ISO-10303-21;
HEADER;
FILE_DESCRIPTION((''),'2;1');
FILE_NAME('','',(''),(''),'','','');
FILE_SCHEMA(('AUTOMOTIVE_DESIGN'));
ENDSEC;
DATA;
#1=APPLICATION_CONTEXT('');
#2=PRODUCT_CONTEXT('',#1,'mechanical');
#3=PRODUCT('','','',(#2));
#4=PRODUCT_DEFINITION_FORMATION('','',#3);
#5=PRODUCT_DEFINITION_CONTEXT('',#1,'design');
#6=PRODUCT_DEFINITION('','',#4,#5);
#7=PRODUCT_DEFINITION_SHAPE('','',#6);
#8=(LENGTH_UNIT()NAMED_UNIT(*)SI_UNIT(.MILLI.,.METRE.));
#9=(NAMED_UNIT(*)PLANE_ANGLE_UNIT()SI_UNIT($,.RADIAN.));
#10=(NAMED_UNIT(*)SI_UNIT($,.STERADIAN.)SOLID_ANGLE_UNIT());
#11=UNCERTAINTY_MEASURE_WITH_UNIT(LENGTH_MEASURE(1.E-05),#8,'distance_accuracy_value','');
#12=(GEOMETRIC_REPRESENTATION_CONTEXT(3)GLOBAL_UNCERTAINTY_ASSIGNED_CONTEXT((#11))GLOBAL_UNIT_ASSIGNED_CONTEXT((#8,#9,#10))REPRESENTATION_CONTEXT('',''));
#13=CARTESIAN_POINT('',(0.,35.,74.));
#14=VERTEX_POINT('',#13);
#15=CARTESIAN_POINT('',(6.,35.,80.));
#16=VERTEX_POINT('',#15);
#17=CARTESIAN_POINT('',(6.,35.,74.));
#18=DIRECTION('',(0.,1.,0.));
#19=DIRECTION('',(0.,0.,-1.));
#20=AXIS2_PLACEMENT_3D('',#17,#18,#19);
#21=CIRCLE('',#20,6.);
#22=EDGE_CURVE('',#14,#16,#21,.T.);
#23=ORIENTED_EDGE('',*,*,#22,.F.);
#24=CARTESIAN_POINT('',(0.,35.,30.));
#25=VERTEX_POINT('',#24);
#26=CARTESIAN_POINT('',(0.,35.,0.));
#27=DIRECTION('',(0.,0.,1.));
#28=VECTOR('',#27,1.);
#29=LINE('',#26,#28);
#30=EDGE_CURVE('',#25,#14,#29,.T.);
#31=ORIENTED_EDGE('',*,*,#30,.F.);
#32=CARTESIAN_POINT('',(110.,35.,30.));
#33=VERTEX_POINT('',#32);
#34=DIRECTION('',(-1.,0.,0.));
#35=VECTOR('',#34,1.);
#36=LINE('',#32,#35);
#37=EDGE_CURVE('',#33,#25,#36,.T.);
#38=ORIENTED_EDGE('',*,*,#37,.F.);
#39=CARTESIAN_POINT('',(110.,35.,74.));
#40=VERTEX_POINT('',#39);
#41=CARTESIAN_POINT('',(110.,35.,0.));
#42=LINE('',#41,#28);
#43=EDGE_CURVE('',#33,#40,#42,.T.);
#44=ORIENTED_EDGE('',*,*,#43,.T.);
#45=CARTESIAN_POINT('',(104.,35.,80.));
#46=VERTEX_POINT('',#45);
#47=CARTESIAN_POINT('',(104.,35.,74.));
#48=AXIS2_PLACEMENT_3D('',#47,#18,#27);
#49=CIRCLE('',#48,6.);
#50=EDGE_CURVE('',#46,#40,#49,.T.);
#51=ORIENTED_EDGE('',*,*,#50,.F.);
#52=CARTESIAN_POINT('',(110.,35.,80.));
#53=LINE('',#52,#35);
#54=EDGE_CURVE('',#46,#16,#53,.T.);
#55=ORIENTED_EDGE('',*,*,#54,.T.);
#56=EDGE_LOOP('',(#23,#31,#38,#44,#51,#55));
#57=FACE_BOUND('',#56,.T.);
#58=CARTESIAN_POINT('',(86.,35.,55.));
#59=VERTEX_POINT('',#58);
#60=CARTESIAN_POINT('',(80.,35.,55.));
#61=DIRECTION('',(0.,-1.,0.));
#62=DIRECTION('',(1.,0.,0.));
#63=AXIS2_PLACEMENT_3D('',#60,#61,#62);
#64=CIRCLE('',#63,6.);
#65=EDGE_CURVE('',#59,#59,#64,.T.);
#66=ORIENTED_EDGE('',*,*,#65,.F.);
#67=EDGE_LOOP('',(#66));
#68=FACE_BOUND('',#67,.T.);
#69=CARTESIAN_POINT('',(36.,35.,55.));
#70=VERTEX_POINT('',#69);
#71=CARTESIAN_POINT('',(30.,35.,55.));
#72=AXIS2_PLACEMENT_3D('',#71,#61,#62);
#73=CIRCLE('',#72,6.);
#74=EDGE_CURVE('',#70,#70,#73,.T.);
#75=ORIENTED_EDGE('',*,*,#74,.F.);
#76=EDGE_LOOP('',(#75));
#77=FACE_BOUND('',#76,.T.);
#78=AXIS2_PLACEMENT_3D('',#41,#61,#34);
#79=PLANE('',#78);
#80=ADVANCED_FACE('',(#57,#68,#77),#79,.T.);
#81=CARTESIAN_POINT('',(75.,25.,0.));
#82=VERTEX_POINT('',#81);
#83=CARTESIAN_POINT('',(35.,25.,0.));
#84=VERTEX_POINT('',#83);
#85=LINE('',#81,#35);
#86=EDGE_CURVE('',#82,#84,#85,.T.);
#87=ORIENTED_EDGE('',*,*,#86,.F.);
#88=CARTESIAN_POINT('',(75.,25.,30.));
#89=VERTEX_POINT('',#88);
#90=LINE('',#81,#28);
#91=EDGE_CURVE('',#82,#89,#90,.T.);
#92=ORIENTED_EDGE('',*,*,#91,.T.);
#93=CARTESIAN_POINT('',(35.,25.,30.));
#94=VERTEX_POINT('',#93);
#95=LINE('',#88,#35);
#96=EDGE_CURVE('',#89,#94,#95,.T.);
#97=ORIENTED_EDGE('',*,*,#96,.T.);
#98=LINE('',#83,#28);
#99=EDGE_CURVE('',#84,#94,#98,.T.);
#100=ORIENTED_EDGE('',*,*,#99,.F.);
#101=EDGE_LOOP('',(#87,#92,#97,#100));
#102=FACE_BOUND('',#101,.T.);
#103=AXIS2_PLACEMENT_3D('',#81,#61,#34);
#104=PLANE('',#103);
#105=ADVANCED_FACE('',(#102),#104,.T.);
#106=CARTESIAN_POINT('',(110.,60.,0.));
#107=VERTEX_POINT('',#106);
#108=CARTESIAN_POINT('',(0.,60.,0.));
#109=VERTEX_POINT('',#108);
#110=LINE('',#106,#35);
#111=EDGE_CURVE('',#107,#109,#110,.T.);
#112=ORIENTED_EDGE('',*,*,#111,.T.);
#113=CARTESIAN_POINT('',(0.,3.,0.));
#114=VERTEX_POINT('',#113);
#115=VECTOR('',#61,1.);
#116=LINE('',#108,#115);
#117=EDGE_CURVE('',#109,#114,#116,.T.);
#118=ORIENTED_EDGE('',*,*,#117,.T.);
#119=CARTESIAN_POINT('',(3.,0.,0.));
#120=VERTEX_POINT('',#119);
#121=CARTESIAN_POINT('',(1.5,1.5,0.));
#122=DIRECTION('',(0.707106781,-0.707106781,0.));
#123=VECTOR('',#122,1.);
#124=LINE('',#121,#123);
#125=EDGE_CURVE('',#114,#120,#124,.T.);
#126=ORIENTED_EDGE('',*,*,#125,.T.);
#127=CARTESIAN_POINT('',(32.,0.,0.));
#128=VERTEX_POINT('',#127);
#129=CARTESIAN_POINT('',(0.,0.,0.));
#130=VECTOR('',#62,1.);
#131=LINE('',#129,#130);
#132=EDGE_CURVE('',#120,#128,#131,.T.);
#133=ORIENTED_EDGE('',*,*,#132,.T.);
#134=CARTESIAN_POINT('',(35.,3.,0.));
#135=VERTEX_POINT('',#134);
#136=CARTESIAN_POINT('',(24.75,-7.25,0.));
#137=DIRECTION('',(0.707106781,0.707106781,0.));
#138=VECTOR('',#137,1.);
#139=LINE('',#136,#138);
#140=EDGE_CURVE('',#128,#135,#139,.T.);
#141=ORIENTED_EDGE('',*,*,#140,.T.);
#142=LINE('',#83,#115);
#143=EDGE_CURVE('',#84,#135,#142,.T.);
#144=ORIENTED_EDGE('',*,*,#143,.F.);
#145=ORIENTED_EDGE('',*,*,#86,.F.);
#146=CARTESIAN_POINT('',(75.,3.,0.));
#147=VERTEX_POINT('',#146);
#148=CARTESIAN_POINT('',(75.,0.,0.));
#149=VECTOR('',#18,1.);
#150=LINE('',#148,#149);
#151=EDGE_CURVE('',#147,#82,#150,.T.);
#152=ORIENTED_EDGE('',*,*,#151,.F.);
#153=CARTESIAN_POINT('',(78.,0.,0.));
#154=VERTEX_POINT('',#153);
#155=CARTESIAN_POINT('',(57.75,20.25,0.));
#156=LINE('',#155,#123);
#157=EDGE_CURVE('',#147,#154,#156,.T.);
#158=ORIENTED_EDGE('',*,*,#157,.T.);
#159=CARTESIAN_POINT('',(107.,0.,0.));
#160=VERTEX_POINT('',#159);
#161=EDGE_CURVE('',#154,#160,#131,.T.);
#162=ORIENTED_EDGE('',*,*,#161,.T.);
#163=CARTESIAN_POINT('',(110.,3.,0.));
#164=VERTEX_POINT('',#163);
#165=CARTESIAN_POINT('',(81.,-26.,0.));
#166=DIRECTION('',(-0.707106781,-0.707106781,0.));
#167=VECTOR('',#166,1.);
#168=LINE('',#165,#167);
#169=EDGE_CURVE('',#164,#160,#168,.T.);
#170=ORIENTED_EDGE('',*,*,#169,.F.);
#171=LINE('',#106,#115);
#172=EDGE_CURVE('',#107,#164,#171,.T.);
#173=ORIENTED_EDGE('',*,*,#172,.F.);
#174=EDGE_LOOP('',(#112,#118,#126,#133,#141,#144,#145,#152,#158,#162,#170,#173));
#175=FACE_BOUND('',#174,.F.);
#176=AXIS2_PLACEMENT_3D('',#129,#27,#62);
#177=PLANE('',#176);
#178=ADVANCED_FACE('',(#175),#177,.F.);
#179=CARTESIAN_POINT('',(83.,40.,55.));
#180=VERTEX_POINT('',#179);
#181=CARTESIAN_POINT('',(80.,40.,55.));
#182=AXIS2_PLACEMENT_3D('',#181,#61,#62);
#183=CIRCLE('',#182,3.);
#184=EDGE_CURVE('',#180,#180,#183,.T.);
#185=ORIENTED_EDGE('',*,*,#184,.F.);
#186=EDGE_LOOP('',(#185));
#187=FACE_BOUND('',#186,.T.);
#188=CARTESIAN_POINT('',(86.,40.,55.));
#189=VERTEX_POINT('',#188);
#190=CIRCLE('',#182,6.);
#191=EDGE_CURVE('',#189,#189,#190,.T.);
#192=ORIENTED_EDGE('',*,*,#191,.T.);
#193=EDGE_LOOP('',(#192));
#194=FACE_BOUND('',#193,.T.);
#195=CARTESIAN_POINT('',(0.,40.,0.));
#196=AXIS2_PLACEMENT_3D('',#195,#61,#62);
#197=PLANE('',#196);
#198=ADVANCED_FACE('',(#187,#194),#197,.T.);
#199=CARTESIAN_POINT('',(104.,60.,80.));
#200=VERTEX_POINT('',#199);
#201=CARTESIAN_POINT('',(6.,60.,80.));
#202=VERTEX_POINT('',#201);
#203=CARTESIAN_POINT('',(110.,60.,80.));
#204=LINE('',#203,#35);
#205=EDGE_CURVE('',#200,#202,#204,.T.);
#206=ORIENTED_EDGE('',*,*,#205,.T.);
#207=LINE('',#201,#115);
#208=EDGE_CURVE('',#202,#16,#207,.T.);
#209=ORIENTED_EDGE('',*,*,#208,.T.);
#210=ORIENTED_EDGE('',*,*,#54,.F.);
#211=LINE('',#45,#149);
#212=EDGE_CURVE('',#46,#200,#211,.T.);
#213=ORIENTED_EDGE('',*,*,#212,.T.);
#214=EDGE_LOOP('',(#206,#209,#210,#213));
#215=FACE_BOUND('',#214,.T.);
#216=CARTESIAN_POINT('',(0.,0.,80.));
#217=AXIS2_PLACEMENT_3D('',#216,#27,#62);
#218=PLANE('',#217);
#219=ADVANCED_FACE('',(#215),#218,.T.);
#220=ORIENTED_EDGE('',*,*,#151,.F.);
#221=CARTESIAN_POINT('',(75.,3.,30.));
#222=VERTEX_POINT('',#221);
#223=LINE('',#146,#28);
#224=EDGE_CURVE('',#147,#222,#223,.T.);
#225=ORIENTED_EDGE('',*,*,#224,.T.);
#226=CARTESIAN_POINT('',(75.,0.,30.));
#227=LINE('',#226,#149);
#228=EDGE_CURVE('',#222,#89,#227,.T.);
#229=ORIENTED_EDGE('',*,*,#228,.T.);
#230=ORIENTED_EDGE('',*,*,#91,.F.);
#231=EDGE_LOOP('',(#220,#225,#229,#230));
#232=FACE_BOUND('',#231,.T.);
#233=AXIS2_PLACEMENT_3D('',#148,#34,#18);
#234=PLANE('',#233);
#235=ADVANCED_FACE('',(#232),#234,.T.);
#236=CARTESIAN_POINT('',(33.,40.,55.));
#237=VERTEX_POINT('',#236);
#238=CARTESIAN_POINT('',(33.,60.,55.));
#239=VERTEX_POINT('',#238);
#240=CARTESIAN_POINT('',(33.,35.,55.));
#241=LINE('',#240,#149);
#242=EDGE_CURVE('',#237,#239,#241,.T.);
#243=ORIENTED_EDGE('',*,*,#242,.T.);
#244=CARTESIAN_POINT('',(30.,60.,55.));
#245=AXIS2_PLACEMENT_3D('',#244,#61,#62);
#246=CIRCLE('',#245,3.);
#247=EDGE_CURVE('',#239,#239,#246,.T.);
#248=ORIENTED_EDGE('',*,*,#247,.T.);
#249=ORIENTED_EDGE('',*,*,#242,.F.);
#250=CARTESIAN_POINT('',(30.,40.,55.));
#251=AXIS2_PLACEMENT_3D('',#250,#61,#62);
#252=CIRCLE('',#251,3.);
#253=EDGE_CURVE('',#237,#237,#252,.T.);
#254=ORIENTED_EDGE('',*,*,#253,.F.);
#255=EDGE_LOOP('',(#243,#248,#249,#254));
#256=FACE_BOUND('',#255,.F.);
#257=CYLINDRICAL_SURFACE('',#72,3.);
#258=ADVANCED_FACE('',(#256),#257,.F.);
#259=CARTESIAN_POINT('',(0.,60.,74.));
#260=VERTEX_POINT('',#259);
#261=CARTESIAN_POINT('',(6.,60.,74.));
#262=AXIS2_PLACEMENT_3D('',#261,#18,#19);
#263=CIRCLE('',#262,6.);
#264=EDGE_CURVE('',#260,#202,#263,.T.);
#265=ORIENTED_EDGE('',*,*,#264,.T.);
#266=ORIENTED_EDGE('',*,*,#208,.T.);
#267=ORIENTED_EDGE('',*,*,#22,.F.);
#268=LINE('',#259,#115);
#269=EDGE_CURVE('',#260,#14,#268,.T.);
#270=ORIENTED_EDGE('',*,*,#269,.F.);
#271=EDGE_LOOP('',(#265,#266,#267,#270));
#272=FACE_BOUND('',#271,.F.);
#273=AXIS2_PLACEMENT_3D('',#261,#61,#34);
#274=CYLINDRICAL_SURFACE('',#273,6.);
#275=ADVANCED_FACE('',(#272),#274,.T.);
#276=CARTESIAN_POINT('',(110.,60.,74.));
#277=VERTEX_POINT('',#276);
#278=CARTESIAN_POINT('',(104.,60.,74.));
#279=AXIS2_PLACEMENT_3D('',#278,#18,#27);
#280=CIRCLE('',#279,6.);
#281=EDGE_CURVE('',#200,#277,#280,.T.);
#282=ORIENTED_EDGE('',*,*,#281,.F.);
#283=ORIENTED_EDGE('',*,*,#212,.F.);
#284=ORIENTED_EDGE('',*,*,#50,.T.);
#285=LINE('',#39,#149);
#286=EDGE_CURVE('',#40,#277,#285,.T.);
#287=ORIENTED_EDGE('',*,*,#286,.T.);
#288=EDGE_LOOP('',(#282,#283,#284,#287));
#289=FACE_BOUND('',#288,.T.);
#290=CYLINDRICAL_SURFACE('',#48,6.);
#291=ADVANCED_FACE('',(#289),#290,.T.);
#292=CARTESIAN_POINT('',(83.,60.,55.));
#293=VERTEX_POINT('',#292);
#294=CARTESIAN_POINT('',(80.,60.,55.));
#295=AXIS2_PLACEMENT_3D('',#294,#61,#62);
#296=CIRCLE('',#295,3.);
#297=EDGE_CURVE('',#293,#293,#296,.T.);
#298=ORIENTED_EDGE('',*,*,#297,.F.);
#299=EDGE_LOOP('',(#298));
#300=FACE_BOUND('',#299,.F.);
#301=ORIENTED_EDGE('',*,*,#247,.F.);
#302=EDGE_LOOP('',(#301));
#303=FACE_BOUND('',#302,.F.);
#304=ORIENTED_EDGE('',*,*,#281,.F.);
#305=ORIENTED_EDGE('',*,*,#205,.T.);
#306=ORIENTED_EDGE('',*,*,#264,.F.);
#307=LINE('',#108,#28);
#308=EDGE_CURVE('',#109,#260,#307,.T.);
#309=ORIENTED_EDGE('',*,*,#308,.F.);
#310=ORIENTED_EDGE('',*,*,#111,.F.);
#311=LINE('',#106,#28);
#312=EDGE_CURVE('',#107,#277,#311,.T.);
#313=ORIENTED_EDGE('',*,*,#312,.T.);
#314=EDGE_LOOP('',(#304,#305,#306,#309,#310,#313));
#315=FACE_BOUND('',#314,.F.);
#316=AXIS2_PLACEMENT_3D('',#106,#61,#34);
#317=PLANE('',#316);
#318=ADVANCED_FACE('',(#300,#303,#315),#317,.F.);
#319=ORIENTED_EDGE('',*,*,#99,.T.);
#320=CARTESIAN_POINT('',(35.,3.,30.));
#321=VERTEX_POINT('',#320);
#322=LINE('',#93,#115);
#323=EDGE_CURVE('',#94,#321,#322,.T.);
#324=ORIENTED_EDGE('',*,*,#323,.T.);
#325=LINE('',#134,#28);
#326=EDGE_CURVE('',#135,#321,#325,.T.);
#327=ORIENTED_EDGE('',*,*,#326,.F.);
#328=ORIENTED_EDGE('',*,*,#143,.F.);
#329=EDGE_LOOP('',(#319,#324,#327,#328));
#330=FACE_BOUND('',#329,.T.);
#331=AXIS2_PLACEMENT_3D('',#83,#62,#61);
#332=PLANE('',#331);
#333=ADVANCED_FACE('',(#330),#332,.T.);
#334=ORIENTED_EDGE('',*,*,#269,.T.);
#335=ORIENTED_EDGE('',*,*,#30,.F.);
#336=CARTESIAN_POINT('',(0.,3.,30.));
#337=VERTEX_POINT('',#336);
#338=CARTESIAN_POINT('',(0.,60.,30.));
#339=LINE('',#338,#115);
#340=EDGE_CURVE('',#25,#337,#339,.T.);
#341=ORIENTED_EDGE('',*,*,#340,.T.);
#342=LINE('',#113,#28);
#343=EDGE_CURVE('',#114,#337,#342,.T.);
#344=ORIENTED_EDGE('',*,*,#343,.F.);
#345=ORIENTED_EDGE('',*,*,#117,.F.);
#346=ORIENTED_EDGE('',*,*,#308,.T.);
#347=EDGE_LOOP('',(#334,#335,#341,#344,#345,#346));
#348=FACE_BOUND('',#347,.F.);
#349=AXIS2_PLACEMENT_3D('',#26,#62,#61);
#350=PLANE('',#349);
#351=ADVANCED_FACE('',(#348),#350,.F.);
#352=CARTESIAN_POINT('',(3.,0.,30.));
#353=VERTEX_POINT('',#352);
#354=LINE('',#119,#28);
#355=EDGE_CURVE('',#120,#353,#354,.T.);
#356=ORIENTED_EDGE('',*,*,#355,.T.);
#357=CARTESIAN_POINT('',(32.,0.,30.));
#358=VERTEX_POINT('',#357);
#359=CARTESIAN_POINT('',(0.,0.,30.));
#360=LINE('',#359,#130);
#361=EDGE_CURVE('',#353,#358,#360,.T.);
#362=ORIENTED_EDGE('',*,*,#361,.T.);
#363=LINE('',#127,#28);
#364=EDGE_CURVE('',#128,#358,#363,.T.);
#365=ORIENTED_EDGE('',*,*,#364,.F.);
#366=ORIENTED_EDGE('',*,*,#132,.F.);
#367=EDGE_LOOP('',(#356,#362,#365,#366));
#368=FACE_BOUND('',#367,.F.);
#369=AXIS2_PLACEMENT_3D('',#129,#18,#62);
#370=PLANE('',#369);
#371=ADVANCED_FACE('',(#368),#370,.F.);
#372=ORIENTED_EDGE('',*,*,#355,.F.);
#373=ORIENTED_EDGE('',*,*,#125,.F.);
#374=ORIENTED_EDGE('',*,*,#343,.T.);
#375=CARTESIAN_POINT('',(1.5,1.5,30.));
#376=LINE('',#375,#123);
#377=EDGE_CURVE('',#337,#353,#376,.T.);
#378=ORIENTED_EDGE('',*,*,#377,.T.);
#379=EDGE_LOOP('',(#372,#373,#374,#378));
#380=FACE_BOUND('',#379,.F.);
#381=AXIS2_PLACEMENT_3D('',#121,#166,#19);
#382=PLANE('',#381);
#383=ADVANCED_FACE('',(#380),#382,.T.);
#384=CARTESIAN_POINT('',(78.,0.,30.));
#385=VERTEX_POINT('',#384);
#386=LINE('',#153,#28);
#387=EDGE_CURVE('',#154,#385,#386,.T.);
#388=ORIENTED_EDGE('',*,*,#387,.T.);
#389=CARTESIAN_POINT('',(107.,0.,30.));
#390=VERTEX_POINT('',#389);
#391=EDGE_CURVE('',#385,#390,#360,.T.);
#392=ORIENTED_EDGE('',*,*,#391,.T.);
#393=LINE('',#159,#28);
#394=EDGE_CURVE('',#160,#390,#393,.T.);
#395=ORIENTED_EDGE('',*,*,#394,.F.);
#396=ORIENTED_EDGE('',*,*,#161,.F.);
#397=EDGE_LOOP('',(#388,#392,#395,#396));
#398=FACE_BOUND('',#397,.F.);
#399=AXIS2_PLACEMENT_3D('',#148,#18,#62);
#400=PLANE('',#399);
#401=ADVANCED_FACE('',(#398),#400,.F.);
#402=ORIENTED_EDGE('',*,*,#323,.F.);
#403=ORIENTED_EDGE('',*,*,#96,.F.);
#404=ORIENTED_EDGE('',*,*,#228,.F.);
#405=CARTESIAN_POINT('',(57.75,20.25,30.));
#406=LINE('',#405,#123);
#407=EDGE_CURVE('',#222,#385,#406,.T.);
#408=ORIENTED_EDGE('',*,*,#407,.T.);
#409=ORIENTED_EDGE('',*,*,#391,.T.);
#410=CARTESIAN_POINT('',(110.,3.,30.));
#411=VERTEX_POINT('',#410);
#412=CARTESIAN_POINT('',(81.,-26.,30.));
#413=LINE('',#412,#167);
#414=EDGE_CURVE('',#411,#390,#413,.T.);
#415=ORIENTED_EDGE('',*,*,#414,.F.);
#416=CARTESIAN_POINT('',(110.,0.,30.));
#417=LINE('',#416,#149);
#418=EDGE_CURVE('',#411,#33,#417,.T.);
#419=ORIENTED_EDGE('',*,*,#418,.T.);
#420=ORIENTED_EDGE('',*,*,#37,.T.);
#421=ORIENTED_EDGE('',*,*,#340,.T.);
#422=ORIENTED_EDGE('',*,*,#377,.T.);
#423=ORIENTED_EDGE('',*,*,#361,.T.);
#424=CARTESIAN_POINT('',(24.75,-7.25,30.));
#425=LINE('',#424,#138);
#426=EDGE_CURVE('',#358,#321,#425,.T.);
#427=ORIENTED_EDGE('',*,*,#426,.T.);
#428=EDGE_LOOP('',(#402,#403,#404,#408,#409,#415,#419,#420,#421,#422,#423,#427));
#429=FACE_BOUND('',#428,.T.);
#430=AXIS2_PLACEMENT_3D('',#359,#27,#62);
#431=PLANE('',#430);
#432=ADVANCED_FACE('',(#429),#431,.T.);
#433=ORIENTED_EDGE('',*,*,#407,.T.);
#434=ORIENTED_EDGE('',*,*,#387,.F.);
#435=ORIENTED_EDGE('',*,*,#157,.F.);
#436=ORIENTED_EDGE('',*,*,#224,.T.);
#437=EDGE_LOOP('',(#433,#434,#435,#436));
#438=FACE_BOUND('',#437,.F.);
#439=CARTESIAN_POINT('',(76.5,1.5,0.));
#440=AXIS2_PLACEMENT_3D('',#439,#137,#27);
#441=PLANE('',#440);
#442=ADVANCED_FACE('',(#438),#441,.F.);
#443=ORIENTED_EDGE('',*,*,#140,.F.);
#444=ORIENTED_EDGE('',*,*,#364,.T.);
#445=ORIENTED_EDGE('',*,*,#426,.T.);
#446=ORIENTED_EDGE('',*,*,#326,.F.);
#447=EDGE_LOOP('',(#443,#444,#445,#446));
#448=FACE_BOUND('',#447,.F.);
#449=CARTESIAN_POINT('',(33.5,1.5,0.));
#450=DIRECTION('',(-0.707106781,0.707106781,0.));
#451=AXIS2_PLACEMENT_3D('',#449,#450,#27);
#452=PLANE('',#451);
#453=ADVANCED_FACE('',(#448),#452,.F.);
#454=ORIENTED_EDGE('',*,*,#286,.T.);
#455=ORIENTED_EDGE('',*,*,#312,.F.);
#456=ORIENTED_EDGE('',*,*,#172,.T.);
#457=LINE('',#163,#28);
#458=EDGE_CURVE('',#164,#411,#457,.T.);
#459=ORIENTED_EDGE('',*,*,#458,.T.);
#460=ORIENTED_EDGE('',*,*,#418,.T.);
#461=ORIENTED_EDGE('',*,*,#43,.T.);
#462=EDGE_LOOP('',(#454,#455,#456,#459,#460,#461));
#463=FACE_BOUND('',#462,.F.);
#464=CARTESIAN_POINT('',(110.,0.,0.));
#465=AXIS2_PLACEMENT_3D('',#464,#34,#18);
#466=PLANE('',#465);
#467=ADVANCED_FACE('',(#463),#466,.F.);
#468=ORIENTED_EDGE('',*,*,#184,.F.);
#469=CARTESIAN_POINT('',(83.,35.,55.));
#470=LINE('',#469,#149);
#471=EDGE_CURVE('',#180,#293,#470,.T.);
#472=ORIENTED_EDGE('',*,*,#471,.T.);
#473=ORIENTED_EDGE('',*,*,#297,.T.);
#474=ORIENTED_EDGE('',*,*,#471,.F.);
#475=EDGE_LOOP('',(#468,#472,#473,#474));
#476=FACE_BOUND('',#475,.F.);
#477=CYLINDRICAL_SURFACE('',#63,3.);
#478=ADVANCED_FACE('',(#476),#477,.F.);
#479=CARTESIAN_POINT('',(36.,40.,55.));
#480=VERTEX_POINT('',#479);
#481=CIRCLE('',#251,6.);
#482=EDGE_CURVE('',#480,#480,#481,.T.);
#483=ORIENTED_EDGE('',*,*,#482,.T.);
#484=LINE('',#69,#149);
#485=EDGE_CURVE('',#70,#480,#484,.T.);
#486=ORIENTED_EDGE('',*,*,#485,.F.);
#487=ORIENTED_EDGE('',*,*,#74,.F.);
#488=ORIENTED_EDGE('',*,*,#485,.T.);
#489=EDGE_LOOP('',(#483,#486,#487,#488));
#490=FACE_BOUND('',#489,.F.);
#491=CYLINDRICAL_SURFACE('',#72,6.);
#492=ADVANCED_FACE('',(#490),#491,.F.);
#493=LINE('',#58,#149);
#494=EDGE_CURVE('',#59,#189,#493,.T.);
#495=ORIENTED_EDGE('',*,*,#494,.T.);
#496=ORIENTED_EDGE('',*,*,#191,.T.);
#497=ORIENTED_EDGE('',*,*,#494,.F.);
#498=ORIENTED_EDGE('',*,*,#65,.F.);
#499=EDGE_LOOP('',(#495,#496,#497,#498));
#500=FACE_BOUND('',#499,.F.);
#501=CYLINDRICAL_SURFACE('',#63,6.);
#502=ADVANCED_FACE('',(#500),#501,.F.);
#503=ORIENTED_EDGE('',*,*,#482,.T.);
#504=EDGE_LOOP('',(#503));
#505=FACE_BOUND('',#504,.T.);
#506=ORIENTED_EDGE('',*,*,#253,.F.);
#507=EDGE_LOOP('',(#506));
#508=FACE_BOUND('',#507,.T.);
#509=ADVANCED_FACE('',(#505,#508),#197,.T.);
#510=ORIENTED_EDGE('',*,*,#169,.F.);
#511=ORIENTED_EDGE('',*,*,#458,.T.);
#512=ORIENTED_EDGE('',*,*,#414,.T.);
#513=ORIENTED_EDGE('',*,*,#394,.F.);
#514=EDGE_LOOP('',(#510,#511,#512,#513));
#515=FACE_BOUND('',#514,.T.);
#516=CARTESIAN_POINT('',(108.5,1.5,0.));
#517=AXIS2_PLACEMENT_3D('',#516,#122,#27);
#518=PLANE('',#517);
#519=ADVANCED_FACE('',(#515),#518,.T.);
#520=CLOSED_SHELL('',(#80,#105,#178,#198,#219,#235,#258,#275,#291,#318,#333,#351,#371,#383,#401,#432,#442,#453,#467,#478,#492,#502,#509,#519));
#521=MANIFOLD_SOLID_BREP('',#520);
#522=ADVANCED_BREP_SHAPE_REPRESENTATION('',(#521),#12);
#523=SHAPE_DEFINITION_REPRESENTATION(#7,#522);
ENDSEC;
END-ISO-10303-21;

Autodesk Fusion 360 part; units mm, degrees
sketch "Sketch1" plane through (0, 0, 0) normal (0, 0, 1) x (1, 0, 0)
  line L0 (0, 0) -> (110, 0)
  line L1 (110, 0) -> (110, 60)
  line L2 (110, 60) -> (0, 60)
  line L3 (0, 60) -> (0, 0)
  line L4 (0, 60) -> (110, 60)
  line L5 (110, 60) -> (110, 35)
  line L6 (110, 35) -> (0, 35)
  line L7 (0, 35) -> (0, 60)
  line L8 (75, 25) -> (35, 25)
  line L9 (35, 25) -> (35, 0)
  line L10 (75, 0) -> (75, 25)
  line L11 (75, 25) -> (35, -25) construction
  line L12 (35, 25) -> (75, -25) construction
  point P0 (55, 0)
  dimension "d12" = 110
  dimension "d13" = 60
  dimension "d14" = 110
  dimension "d15" = 25
  dimension "d16" = 40
  dimension "d17" = 50
extrude "Extrude1" add sketch "Sketch1" along normal blind 30 contours L0 L1 L3 L6 L8 L9 L10
extrude "Extrude2" add sketch "Sketch1" along normal blind 80 contours L1 L2 L3 L4 L5 L6 L7
fillet "Fillet1" radius 6 2 edges at (110, 47.5, 80) (0, 47.5, 80)
chamfer "Chamfer1" distance 3 angle 45 4 edges at (110, 0, 15) (75, 0, 15) (35, 0, 15) (0, 0, 15)
sketch "Sketch2" plane through (0, 35, 0) normal (0, -1, 0) x (1, 0, 0)
  arc A0 (6, 80) -> (0, 74) centre (6, 74) ccw
  line L0 (0, 74) -> (0, 30)
  line L1 (0, 30) -> (110, 30)
  line L2 (110, 30) -> (110, 74)
  arc A1 (110, 74) -> (104, 80) centre (104, 74) ccw
  line L3 (104, 80) -> (6, 80)
  line L4 (55, 80) -> (55, 30) construction
  circle A2 centre (80, 55) radius 6
  circle A3 centre (80, 55) radius 3
  circle A4 centre (30, 55) radius 6
  circle A5 centre (30, 55) radius 3
  dimension "d27" = 12
  dimension "d28" = 6
  dimension "d29" = 25
  dimension "d32" = 25
extrude "Extrude3" cut sketch "Sketch2" against normal blind 25 contours A3 | A5
extrude "Extrude4" cut sketch "Sketch2" against normal blind 5 contours A4
extrude "Extrude5" cut sketch "Sketch2" against normal blind 5 contours A2
equation "width = 60 mm"
equation "length = 110 mm"
equation "base_height = 30 mm"
equation "back_height = 80 mm"
equation "back_width = 25 mm"
equation "countersink_diameter = 12 mm"
equation "hole_diameter = 6 mm"
equation "countersink_depth = 5 mm"
equation "cut_depth = 25 mm"
equation "cut_width = 40 mm"
equation "d12 = length"
equation "d13 = width"
equation "d14 = length"
equation "d15 = back_width"
equation "d16 = cut_width"
equation "d17 = cut_depth * 2"
equation "top_radius = 6 mm"
equation "d19 = base_height"
equation "d21 = back_height"
equation "d24 = top_radius"
equation "chamfer = 3 mm"
equation "d26 = chamfer"
equation "d27 = countersink_diameter"
equation "d28 = hole_diameter"
equation "d29 = hole_distance_from_top"
equation "hole_distance_from_top = 25 mm"
equation "distance_between_holes = 50 mm"
equation "d32 = distance_between_holes / 2"
equation "d33 = -back_width"
equation "d35 = -countersink_depth"
equation "d37 = -countersink_depth"
